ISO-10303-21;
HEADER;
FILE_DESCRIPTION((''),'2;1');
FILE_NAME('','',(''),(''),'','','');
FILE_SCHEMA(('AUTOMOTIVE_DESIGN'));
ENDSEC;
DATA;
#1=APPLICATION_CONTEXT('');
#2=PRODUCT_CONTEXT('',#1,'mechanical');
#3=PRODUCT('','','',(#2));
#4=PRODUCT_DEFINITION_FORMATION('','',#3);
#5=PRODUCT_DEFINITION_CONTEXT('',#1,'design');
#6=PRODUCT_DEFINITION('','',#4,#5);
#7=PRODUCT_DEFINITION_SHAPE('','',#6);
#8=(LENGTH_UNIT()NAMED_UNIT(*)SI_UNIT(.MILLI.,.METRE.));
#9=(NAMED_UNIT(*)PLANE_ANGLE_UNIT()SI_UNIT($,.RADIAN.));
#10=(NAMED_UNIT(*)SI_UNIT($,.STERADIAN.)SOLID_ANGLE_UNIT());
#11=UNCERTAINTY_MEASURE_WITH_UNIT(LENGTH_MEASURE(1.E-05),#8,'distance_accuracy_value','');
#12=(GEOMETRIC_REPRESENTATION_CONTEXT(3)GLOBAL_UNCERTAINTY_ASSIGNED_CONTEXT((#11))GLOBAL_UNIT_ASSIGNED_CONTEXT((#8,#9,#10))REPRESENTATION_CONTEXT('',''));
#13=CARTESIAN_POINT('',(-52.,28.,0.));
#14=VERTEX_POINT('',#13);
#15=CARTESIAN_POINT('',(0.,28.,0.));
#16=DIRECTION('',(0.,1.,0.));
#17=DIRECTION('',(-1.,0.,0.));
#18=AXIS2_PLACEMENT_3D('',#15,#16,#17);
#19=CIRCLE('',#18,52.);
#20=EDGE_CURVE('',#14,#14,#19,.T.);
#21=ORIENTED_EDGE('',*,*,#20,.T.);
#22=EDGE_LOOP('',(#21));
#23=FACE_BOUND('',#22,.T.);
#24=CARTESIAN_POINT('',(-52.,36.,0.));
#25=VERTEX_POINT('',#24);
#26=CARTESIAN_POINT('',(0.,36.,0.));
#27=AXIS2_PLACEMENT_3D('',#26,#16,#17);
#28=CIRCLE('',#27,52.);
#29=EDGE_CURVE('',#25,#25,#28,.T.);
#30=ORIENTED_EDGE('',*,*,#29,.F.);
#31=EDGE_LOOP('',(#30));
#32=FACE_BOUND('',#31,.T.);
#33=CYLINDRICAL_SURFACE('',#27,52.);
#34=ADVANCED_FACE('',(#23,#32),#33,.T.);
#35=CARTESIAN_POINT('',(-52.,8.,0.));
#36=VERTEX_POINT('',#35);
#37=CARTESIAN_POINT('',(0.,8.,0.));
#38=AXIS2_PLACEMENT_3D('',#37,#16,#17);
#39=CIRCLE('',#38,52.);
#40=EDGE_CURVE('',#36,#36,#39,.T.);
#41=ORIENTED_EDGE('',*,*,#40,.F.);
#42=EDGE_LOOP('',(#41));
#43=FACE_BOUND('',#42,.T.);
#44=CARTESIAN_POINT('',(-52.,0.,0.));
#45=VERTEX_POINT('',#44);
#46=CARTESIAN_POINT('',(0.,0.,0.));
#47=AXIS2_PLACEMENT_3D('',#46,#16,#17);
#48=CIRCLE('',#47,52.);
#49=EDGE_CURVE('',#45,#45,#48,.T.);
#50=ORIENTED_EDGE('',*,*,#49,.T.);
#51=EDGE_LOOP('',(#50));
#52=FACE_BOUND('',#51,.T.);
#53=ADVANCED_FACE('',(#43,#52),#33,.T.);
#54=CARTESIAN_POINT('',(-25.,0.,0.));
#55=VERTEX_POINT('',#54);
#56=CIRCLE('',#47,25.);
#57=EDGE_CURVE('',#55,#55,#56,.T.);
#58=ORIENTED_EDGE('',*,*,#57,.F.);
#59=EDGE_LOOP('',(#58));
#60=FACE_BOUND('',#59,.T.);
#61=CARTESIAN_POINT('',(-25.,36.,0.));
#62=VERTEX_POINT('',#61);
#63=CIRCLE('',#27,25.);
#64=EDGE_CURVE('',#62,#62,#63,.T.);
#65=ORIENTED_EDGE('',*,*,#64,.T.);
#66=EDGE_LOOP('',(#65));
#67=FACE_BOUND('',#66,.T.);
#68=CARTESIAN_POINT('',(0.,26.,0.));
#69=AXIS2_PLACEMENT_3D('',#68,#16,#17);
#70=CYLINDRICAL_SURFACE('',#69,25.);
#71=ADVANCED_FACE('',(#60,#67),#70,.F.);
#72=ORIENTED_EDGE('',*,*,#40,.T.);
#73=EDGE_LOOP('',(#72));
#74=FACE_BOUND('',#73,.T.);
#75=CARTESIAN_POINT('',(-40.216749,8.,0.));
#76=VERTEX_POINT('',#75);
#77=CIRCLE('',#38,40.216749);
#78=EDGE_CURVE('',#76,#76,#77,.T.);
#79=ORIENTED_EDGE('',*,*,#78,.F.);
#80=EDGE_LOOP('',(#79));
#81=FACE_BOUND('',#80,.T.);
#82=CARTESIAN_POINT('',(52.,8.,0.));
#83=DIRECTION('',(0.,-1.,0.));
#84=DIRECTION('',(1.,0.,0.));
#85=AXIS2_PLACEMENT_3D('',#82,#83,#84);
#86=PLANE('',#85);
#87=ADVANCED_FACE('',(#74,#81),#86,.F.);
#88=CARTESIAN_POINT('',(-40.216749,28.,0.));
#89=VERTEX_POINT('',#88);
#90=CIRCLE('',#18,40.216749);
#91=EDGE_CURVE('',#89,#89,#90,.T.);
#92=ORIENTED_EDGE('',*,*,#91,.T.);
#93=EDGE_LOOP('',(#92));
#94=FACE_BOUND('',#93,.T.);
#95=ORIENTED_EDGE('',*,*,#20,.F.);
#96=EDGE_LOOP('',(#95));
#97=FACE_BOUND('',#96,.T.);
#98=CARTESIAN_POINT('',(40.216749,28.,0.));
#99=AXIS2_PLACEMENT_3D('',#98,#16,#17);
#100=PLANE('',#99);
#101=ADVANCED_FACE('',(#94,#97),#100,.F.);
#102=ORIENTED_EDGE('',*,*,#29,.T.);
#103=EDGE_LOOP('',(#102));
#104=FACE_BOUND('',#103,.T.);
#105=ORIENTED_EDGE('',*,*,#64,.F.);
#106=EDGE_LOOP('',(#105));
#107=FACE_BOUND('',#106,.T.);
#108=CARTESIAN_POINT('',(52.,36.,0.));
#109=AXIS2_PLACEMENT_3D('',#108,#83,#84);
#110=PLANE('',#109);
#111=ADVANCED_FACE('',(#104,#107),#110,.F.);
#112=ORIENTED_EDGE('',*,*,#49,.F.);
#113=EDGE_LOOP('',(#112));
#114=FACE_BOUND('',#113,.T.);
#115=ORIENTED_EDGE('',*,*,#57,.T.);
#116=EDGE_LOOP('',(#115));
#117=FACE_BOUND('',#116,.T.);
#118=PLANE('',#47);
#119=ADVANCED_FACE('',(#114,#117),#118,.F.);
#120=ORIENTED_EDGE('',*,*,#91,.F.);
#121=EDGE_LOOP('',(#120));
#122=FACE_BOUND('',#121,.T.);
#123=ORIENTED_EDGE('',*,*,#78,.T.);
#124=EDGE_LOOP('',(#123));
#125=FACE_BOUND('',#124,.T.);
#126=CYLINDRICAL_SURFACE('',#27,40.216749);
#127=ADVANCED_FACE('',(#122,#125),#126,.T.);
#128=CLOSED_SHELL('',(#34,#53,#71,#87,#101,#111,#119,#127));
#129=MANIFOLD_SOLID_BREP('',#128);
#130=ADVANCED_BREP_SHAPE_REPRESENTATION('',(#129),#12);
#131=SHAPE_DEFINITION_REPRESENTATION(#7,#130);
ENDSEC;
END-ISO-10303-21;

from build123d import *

# Parameters (mm, degrees)
SKETCH3_R          = 25
CUT_EXTRUDE1_DEPTH = 10
SKETCH5_R          = 25
CUT_EXTRUDE2_DEPTH = 36


with BuildPart() as part:
    # Sketch2 → Revolve1 (revolve)
    with BuildSketch(Plane.XY, mode=Mode.PRIVATE) as revolve1_sk:
        Polygon((0, 0), (52, 0), (52, 8), (40.216748768, 8), (40.216748768, 28), (52, 28), (52, 36), (0, 36), align=None)
    revolve(revolve1_sk.sketch.rotate(Axis((0, 36, 0), (0, -1, 0)), 180), axis=Axis((0, 36, 0), (0, -1, 0)))

    # Sketch3 → Cut-Extrude1 (cut)
    with BuildSketch(Plane(origin=(0, 36, 0), x_dir=(1, 0, 0), z_dir=(0, 1, 0))):
        with Locations(Location((0, 0, 0), (0, 0, 180))):
            Circle(SKETCH3_R)
    extrude(amount=-CUT_EXTRUDE1_DEPTH, mode=Mode.SUBTRACT)

    # Sketch5 → Cut-Extrude2 (cut)
    with BuildSketch(Plane(origin=(0, 26, 0), x_dir=(1, 0, 0), z_dir=(0, 1, 0))):
        with Locations(Location((0, 0, 0), (0, 0, 180))):
            Circle(SKETCH5_R)
    extrude(amount=-CUT_EXTRUDE2_DEPTH, mode=Mode.SUBTRACT)


solid = part.part
